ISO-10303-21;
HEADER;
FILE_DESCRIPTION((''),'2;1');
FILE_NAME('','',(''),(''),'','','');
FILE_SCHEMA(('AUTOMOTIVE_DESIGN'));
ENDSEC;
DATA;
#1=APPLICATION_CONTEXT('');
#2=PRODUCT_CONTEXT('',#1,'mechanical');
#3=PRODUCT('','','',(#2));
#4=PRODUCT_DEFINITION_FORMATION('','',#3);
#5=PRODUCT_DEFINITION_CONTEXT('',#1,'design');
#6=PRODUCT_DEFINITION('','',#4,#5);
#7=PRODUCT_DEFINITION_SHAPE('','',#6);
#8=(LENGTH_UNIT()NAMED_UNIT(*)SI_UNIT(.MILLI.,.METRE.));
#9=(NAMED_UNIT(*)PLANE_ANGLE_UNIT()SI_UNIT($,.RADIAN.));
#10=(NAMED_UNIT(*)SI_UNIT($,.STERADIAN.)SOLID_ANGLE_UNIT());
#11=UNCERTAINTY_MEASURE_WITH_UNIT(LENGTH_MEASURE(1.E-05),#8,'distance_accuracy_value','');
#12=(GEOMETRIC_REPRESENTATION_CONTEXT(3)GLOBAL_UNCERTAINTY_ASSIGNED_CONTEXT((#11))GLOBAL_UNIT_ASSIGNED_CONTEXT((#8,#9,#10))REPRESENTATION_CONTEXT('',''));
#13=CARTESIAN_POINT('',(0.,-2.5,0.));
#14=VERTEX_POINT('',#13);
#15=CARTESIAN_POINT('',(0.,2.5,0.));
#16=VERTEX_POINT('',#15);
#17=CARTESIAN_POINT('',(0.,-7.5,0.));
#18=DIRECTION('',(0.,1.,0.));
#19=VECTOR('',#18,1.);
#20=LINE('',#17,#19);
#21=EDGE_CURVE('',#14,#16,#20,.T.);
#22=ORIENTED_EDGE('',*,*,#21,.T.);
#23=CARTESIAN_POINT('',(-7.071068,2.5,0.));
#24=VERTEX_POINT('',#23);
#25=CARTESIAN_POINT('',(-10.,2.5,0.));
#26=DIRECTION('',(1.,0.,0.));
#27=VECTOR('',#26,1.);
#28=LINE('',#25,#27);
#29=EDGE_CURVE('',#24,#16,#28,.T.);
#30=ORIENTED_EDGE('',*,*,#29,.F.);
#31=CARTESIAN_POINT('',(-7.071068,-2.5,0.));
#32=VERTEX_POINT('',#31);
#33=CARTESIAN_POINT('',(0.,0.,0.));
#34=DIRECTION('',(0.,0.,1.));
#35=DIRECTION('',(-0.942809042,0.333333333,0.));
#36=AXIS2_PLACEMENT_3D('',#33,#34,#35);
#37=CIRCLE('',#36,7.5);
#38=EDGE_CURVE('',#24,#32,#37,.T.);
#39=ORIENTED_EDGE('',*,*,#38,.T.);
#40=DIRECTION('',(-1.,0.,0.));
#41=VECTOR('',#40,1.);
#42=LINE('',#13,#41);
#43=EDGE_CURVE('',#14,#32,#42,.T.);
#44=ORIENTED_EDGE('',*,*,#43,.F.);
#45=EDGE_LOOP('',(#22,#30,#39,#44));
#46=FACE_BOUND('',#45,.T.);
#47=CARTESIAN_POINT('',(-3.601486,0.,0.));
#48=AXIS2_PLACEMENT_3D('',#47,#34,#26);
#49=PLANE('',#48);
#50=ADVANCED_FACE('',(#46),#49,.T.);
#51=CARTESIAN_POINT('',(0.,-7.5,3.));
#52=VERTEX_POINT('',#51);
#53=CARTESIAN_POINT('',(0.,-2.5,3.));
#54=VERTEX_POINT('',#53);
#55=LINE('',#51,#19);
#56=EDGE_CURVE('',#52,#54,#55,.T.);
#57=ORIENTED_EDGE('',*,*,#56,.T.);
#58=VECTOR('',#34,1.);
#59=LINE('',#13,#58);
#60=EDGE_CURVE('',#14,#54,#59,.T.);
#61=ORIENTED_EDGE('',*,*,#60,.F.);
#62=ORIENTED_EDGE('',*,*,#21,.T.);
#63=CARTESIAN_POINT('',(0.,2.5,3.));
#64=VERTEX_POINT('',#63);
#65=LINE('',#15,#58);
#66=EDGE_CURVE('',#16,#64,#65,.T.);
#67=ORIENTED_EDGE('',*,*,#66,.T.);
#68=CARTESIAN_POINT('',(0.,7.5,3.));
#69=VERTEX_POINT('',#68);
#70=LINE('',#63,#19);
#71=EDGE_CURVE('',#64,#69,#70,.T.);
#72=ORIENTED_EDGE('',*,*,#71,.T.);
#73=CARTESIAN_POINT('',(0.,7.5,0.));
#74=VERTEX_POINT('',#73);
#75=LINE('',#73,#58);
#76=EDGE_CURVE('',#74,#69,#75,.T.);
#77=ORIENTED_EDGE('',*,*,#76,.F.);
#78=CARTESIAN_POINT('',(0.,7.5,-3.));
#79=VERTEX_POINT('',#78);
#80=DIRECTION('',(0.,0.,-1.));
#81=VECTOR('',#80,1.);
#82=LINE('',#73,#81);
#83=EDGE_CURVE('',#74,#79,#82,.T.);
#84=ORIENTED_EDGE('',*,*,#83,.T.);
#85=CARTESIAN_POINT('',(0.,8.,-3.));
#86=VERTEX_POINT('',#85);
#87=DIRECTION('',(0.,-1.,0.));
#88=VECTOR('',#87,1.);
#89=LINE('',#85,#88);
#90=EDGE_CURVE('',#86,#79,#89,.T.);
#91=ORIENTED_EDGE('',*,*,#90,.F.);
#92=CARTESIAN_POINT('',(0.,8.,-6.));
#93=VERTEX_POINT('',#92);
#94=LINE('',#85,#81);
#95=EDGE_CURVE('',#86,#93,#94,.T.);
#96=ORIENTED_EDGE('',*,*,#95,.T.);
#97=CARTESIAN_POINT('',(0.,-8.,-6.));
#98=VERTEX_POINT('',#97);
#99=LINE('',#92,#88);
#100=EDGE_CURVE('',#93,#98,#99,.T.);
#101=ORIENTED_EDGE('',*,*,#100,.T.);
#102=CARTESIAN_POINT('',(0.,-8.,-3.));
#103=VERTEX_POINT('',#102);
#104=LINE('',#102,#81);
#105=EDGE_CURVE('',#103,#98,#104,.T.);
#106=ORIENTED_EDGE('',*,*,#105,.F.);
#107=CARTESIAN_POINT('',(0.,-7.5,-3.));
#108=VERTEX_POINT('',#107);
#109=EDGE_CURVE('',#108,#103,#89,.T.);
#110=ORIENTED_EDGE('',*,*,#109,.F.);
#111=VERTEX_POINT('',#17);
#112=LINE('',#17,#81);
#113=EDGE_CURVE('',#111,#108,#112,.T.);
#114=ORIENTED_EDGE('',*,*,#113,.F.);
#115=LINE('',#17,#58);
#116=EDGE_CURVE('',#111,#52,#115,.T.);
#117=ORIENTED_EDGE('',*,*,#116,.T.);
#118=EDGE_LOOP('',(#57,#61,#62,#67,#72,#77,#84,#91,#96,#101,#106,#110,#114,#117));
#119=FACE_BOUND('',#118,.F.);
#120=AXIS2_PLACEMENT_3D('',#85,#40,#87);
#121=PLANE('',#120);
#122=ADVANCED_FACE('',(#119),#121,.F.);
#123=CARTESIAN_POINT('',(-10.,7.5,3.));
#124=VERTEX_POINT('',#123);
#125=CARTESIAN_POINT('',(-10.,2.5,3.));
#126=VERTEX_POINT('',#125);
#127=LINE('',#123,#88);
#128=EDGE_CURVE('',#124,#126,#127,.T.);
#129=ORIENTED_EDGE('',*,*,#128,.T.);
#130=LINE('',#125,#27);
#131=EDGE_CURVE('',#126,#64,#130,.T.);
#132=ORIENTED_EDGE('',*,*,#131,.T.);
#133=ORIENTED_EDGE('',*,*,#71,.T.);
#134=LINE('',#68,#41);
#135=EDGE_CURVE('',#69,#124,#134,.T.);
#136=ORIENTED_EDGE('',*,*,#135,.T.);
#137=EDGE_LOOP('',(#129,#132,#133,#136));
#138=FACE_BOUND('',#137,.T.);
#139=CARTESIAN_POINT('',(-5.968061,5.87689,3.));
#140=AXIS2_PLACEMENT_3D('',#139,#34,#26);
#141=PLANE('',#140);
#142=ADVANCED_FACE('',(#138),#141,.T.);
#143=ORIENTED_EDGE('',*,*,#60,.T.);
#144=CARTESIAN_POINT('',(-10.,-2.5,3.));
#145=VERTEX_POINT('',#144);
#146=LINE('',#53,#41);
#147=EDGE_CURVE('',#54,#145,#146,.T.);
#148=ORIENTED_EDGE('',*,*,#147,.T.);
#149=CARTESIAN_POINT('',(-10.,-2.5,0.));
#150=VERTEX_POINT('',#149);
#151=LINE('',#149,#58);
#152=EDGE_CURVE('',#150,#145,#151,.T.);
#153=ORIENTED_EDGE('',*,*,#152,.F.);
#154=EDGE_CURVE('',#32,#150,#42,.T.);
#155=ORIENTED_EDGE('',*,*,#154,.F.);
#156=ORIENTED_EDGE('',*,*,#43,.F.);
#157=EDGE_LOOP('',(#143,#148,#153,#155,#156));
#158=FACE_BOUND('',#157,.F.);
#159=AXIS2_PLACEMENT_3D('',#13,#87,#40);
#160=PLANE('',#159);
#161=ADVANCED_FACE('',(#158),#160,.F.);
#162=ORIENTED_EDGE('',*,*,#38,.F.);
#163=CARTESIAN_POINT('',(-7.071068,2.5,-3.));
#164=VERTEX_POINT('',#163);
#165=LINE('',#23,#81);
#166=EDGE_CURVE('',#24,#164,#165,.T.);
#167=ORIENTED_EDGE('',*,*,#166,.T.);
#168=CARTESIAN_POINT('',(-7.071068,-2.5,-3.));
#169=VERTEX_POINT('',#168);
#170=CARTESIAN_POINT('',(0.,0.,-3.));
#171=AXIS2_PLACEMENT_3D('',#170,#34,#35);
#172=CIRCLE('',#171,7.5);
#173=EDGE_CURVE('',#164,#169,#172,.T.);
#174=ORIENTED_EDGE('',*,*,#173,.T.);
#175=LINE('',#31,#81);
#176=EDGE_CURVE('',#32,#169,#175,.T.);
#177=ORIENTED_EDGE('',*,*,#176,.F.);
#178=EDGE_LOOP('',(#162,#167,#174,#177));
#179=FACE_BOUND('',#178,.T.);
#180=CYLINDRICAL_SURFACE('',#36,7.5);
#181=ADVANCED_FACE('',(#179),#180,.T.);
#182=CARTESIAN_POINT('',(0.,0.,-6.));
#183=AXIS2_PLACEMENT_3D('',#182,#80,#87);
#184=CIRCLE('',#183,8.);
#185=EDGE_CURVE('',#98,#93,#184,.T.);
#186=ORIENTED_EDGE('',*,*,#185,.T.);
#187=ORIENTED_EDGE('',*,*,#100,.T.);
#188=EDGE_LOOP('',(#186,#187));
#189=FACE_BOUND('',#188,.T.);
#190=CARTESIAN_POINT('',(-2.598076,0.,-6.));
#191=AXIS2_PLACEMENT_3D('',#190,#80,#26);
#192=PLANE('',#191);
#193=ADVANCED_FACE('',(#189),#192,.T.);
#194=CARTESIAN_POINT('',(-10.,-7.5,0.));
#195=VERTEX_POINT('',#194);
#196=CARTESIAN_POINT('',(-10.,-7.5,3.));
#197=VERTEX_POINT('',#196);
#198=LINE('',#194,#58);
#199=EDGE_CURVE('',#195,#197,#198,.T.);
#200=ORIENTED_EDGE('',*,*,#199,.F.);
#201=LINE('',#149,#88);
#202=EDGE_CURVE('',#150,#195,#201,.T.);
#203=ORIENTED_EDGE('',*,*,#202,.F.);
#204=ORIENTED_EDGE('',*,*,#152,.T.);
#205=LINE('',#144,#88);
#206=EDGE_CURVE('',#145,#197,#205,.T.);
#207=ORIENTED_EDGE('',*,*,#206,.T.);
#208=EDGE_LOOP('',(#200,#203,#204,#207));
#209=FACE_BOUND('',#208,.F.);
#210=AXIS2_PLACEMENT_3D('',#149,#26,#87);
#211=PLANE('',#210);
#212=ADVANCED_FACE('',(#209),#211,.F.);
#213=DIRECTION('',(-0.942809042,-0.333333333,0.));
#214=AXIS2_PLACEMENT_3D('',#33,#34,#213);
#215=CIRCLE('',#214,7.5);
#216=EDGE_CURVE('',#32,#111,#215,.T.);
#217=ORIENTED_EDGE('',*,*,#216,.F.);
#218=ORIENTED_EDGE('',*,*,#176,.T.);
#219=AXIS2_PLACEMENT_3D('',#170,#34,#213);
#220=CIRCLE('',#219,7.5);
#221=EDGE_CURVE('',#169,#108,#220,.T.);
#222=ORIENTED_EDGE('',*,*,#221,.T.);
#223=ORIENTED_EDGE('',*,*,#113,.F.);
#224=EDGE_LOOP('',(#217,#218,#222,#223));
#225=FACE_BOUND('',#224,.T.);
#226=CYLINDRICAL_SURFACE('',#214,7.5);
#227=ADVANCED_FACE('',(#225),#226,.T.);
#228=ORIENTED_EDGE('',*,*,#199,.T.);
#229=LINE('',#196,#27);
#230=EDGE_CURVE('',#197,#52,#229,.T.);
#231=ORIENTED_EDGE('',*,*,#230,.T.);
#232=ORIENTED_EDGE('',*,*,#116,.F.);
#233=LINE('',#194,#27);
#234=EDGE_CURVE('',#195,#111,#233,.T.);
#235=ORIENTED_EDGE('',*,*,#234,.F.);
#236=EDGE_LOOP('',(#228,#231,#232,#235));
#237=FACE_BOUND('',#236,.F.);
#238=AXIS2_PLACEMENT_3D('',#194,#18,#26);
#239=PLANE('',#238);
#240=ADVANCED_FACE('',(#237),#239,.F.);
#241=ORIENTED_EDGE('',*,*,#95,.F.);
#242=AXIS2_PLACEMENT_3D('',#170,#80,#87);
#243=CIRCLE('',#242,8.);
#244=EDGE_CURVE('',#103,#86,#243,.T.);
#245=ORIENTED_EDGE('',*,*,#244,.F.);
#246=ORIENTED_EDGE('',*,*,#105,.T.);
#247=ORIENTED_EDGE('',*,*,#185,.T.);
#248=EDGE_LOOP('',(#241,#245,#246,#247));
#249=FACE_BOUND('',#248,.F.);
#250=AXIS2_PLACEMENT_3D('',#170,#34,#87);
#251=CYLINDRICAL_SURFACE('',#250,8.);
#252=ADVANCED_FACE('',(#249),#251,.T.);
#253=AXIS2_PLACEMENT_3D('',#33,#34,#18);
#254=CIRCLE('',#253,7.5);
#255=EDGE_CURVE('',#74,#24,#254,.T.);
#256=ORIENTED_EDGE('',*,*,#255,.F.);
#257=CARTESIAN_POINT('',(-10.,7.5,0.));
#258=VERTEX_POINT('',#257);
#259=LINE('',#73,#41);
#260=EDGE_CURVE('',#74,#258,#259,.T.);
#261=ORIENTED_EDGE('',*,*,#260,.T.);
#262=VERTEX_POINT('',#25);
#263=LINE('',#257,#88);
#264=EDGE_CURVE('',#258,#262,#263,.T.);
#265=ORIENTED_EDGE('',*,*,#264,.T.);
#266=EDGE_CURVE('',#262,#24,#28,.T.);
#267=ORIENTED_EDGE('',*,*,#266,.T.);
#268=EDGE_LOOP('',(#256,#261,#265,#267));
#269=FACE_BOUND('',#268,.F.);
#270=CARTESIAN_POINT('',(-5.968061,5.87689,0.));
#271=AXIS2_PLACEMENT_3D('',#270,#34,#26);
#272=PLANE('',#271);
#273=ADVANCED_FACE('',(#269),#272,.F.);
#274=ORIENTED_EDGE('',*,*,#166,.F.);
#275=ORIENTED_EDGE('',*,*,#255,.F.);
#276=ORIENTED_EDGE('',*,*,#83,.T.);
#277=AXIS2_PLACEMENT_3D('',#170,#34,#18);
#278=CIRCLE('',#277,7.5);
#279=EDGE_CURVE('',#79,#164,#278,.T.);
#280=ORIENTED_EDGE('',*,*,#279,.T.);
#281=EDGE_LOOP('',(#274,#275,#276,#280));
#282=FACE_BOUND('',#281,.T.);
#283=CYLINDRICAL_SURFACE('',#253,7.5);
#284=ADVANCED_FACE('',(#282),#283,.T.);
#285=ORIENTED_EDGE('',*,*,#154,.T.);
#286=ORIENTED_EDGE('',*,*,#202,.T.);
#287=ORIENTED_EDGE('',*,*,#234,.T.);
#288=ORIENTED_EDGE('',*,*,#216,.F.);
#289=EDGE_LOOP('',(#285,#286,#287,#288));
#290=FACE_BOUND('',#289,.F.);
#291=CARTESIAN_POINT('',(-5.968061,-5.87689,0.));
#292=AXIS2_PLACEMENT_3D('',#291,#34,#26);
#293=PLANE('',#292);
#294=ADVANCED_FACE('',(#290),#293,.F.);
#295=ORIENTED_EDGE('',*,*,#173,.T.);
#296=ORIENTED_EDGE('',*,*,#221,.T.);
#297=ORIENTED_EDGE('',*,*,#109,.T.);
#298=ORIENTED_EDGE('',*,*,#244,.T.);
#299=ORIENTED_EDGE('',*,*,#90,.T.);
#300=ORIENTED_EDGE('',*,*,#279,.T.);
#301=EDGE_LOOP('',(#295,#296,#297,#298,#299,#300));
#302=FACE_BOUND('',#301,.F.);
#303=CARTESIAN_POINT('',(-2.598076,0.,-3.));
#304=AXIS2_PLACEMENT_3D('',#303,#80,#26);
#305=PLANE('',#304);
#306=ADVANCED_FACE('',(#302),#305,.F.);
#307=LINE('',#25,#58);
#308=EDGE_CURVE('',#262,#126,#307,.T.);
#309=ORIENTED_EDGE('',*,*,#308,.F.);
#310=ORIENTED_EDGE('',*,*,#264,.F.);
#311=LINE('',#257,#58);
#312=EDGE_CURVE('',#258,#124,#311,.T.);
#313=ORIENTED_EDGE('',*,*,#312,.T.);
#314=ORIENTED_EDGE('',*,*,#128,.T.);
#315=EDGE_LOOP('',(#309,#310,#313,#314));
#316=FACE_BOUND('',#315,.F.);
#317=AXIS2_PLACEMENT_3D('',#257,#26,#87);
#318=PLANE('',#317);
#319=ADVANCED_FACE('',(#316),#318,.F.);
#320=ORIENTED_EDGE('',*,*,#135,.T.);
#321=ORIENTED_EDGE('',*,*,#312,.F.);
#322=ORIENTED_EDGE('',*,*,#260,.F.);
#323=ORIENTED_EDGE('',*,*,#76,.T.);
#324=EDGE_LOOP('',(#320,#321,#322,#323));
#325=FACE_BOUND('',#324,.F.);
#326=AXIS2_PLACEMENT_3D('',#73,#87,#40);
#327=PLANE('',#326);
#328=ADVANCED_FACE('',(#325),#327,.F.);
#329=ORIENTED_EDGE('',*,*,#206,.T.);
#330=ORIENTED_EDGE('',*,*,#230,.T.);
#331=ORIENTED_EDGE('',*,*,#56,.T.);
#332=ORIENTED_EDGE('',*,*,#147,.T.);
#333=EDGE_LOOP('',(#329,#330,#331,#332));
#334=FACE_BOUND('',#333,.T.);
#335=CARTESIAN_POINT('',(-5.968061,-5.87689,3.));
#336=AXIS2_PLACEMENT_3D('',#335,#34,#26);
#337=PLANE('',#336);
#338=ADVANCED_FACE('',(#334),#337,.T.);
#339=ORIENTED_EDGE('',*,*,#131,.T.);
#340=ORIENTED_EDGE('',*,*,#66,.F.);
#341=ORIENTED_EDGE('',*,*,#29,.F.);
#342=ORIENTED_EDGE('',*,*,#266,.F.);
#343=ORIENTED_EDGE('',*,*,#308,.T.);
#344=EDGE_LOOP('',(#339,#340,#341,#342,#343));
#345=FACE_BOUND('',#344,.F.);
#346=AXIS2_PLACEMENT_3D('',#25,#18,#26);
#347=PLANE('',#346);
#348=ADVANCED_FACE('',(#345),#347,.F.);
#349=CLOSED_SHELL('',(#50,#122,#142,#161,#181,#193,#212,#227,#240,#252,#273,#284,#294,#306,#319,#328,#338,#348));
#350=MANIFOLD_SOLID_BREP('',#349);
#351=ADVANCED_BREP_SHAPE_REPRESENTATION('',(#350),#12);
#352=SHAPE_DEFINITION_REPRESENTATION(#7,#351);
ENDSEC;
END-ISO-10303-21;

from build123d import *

# Parameters (mm, degrees)
F1_DEPTH = 3
F2_DEPTH = 3
F4_DEPTH = 3


with BuildPart() as f1:
    # F0 (on Top) → F1 (new body)
    with BuildSketch(Plane.XY):
        with BuildLine():
            Line((0, 2.5), (-7.0710678119, 2.5))
            ThreePointArc((-7.0710678119, 2.5), (-7.5, 0), (-7.0710678119, -2.5))
            Line((-7.0710678119, -2.5), (0, -2.5))
            Line((0, -2.5), (0, 0))
            Line((0, 0), (0, 2.5))
        make_face()
        with BuildLine():
            ThreePointArc((-7.0710678119, -2.5), (-4.3301270189, -6.123724357), (0, -7.5))
            Line((0, -7.5), (0, -2.5))
            Line((0, -2.5), (-7.0710678119, -2.5))
        make_face()
        with BuildLine():
            Line((0, 2.5), (0, 7.5))
            ThreePointArc((0, 7.5), (-4.3301270189, 6.123724357), (-7.0710678119, 2.5))
            Line((-7.0710678119, 2.5), (0, 2.5))
        make_face()
    extrude(amount=-F1_DEPTH)

    # F0 (on Top) → F2 (join)
    with BuildSketch(Plane.XY):
        with BuildLine():
            ThreePointArc((-7.0710678119, 2.5), (-4.3301270189, 6.123724357), (0, 7.5))
            Line((0, 7.5), (-10, 7.5))
            Line((-10, 7.5), (-10, 2.5))
            Line((-10, 2.5), (-7.0710678119, 2.5))
        make_face()
        with BuildLine():
            Line((0, 2.5), (0, 7.5))
            ThreePointArc((0, 7.5), (-4.3301270189, 6.123724357), (-7.0710678119, 2.5))
            Line((-7.0710678119, 2.5), (0, 2.5))
        make_face()
        with BuildLine():
            Line((-10, -7.5), (0, -7.5))
            ThreePointArc((0, -7.5), (-4.3301270189, -6.123724357), (-7.0710678119, -2.5))
            Line((-7.0710678119, -2.5), (-10, -2.5))
            Line((-10, -2.5), (-10, -7.5))
        make_face()
        with BuildLine():
            ThreePointArc((-7.0710678119, -2.5), (-4.3301270189, -6.123724357), (0, -7.5))
            Line((0, -7.5), (0, -2.5))
            Line((0, -2.5), (-7.0710678119, -2.5))
        make_face()
    extrude(amount=F2_DEPTH)

    # F3 (on face) → F4 (join)
    with BuildSketch(Plane(origin=(0, 0, -3), x_dir=(1, 0, 0), z_dir=(0, 0, -1))):
        with BuildLine():
            Line((0, -7.5), (0, 7.5))
            ThreePointArc((0, 7.5), (-7.5, 0), (0, -7.5))
        make_face()
        with BuildLine():
            Line((0, 7.5), (0, 8))
            ThreePointArc((0, 8), (-8, 0), (0, -8))
            Line((0, -8), (0, -7.5))
            ThreePointArc((0, -7.5), (-7.5, 0), (0, 7.5))
        make_face()
    extrude(amount=F4_DEPTH)


solid = f1.part
